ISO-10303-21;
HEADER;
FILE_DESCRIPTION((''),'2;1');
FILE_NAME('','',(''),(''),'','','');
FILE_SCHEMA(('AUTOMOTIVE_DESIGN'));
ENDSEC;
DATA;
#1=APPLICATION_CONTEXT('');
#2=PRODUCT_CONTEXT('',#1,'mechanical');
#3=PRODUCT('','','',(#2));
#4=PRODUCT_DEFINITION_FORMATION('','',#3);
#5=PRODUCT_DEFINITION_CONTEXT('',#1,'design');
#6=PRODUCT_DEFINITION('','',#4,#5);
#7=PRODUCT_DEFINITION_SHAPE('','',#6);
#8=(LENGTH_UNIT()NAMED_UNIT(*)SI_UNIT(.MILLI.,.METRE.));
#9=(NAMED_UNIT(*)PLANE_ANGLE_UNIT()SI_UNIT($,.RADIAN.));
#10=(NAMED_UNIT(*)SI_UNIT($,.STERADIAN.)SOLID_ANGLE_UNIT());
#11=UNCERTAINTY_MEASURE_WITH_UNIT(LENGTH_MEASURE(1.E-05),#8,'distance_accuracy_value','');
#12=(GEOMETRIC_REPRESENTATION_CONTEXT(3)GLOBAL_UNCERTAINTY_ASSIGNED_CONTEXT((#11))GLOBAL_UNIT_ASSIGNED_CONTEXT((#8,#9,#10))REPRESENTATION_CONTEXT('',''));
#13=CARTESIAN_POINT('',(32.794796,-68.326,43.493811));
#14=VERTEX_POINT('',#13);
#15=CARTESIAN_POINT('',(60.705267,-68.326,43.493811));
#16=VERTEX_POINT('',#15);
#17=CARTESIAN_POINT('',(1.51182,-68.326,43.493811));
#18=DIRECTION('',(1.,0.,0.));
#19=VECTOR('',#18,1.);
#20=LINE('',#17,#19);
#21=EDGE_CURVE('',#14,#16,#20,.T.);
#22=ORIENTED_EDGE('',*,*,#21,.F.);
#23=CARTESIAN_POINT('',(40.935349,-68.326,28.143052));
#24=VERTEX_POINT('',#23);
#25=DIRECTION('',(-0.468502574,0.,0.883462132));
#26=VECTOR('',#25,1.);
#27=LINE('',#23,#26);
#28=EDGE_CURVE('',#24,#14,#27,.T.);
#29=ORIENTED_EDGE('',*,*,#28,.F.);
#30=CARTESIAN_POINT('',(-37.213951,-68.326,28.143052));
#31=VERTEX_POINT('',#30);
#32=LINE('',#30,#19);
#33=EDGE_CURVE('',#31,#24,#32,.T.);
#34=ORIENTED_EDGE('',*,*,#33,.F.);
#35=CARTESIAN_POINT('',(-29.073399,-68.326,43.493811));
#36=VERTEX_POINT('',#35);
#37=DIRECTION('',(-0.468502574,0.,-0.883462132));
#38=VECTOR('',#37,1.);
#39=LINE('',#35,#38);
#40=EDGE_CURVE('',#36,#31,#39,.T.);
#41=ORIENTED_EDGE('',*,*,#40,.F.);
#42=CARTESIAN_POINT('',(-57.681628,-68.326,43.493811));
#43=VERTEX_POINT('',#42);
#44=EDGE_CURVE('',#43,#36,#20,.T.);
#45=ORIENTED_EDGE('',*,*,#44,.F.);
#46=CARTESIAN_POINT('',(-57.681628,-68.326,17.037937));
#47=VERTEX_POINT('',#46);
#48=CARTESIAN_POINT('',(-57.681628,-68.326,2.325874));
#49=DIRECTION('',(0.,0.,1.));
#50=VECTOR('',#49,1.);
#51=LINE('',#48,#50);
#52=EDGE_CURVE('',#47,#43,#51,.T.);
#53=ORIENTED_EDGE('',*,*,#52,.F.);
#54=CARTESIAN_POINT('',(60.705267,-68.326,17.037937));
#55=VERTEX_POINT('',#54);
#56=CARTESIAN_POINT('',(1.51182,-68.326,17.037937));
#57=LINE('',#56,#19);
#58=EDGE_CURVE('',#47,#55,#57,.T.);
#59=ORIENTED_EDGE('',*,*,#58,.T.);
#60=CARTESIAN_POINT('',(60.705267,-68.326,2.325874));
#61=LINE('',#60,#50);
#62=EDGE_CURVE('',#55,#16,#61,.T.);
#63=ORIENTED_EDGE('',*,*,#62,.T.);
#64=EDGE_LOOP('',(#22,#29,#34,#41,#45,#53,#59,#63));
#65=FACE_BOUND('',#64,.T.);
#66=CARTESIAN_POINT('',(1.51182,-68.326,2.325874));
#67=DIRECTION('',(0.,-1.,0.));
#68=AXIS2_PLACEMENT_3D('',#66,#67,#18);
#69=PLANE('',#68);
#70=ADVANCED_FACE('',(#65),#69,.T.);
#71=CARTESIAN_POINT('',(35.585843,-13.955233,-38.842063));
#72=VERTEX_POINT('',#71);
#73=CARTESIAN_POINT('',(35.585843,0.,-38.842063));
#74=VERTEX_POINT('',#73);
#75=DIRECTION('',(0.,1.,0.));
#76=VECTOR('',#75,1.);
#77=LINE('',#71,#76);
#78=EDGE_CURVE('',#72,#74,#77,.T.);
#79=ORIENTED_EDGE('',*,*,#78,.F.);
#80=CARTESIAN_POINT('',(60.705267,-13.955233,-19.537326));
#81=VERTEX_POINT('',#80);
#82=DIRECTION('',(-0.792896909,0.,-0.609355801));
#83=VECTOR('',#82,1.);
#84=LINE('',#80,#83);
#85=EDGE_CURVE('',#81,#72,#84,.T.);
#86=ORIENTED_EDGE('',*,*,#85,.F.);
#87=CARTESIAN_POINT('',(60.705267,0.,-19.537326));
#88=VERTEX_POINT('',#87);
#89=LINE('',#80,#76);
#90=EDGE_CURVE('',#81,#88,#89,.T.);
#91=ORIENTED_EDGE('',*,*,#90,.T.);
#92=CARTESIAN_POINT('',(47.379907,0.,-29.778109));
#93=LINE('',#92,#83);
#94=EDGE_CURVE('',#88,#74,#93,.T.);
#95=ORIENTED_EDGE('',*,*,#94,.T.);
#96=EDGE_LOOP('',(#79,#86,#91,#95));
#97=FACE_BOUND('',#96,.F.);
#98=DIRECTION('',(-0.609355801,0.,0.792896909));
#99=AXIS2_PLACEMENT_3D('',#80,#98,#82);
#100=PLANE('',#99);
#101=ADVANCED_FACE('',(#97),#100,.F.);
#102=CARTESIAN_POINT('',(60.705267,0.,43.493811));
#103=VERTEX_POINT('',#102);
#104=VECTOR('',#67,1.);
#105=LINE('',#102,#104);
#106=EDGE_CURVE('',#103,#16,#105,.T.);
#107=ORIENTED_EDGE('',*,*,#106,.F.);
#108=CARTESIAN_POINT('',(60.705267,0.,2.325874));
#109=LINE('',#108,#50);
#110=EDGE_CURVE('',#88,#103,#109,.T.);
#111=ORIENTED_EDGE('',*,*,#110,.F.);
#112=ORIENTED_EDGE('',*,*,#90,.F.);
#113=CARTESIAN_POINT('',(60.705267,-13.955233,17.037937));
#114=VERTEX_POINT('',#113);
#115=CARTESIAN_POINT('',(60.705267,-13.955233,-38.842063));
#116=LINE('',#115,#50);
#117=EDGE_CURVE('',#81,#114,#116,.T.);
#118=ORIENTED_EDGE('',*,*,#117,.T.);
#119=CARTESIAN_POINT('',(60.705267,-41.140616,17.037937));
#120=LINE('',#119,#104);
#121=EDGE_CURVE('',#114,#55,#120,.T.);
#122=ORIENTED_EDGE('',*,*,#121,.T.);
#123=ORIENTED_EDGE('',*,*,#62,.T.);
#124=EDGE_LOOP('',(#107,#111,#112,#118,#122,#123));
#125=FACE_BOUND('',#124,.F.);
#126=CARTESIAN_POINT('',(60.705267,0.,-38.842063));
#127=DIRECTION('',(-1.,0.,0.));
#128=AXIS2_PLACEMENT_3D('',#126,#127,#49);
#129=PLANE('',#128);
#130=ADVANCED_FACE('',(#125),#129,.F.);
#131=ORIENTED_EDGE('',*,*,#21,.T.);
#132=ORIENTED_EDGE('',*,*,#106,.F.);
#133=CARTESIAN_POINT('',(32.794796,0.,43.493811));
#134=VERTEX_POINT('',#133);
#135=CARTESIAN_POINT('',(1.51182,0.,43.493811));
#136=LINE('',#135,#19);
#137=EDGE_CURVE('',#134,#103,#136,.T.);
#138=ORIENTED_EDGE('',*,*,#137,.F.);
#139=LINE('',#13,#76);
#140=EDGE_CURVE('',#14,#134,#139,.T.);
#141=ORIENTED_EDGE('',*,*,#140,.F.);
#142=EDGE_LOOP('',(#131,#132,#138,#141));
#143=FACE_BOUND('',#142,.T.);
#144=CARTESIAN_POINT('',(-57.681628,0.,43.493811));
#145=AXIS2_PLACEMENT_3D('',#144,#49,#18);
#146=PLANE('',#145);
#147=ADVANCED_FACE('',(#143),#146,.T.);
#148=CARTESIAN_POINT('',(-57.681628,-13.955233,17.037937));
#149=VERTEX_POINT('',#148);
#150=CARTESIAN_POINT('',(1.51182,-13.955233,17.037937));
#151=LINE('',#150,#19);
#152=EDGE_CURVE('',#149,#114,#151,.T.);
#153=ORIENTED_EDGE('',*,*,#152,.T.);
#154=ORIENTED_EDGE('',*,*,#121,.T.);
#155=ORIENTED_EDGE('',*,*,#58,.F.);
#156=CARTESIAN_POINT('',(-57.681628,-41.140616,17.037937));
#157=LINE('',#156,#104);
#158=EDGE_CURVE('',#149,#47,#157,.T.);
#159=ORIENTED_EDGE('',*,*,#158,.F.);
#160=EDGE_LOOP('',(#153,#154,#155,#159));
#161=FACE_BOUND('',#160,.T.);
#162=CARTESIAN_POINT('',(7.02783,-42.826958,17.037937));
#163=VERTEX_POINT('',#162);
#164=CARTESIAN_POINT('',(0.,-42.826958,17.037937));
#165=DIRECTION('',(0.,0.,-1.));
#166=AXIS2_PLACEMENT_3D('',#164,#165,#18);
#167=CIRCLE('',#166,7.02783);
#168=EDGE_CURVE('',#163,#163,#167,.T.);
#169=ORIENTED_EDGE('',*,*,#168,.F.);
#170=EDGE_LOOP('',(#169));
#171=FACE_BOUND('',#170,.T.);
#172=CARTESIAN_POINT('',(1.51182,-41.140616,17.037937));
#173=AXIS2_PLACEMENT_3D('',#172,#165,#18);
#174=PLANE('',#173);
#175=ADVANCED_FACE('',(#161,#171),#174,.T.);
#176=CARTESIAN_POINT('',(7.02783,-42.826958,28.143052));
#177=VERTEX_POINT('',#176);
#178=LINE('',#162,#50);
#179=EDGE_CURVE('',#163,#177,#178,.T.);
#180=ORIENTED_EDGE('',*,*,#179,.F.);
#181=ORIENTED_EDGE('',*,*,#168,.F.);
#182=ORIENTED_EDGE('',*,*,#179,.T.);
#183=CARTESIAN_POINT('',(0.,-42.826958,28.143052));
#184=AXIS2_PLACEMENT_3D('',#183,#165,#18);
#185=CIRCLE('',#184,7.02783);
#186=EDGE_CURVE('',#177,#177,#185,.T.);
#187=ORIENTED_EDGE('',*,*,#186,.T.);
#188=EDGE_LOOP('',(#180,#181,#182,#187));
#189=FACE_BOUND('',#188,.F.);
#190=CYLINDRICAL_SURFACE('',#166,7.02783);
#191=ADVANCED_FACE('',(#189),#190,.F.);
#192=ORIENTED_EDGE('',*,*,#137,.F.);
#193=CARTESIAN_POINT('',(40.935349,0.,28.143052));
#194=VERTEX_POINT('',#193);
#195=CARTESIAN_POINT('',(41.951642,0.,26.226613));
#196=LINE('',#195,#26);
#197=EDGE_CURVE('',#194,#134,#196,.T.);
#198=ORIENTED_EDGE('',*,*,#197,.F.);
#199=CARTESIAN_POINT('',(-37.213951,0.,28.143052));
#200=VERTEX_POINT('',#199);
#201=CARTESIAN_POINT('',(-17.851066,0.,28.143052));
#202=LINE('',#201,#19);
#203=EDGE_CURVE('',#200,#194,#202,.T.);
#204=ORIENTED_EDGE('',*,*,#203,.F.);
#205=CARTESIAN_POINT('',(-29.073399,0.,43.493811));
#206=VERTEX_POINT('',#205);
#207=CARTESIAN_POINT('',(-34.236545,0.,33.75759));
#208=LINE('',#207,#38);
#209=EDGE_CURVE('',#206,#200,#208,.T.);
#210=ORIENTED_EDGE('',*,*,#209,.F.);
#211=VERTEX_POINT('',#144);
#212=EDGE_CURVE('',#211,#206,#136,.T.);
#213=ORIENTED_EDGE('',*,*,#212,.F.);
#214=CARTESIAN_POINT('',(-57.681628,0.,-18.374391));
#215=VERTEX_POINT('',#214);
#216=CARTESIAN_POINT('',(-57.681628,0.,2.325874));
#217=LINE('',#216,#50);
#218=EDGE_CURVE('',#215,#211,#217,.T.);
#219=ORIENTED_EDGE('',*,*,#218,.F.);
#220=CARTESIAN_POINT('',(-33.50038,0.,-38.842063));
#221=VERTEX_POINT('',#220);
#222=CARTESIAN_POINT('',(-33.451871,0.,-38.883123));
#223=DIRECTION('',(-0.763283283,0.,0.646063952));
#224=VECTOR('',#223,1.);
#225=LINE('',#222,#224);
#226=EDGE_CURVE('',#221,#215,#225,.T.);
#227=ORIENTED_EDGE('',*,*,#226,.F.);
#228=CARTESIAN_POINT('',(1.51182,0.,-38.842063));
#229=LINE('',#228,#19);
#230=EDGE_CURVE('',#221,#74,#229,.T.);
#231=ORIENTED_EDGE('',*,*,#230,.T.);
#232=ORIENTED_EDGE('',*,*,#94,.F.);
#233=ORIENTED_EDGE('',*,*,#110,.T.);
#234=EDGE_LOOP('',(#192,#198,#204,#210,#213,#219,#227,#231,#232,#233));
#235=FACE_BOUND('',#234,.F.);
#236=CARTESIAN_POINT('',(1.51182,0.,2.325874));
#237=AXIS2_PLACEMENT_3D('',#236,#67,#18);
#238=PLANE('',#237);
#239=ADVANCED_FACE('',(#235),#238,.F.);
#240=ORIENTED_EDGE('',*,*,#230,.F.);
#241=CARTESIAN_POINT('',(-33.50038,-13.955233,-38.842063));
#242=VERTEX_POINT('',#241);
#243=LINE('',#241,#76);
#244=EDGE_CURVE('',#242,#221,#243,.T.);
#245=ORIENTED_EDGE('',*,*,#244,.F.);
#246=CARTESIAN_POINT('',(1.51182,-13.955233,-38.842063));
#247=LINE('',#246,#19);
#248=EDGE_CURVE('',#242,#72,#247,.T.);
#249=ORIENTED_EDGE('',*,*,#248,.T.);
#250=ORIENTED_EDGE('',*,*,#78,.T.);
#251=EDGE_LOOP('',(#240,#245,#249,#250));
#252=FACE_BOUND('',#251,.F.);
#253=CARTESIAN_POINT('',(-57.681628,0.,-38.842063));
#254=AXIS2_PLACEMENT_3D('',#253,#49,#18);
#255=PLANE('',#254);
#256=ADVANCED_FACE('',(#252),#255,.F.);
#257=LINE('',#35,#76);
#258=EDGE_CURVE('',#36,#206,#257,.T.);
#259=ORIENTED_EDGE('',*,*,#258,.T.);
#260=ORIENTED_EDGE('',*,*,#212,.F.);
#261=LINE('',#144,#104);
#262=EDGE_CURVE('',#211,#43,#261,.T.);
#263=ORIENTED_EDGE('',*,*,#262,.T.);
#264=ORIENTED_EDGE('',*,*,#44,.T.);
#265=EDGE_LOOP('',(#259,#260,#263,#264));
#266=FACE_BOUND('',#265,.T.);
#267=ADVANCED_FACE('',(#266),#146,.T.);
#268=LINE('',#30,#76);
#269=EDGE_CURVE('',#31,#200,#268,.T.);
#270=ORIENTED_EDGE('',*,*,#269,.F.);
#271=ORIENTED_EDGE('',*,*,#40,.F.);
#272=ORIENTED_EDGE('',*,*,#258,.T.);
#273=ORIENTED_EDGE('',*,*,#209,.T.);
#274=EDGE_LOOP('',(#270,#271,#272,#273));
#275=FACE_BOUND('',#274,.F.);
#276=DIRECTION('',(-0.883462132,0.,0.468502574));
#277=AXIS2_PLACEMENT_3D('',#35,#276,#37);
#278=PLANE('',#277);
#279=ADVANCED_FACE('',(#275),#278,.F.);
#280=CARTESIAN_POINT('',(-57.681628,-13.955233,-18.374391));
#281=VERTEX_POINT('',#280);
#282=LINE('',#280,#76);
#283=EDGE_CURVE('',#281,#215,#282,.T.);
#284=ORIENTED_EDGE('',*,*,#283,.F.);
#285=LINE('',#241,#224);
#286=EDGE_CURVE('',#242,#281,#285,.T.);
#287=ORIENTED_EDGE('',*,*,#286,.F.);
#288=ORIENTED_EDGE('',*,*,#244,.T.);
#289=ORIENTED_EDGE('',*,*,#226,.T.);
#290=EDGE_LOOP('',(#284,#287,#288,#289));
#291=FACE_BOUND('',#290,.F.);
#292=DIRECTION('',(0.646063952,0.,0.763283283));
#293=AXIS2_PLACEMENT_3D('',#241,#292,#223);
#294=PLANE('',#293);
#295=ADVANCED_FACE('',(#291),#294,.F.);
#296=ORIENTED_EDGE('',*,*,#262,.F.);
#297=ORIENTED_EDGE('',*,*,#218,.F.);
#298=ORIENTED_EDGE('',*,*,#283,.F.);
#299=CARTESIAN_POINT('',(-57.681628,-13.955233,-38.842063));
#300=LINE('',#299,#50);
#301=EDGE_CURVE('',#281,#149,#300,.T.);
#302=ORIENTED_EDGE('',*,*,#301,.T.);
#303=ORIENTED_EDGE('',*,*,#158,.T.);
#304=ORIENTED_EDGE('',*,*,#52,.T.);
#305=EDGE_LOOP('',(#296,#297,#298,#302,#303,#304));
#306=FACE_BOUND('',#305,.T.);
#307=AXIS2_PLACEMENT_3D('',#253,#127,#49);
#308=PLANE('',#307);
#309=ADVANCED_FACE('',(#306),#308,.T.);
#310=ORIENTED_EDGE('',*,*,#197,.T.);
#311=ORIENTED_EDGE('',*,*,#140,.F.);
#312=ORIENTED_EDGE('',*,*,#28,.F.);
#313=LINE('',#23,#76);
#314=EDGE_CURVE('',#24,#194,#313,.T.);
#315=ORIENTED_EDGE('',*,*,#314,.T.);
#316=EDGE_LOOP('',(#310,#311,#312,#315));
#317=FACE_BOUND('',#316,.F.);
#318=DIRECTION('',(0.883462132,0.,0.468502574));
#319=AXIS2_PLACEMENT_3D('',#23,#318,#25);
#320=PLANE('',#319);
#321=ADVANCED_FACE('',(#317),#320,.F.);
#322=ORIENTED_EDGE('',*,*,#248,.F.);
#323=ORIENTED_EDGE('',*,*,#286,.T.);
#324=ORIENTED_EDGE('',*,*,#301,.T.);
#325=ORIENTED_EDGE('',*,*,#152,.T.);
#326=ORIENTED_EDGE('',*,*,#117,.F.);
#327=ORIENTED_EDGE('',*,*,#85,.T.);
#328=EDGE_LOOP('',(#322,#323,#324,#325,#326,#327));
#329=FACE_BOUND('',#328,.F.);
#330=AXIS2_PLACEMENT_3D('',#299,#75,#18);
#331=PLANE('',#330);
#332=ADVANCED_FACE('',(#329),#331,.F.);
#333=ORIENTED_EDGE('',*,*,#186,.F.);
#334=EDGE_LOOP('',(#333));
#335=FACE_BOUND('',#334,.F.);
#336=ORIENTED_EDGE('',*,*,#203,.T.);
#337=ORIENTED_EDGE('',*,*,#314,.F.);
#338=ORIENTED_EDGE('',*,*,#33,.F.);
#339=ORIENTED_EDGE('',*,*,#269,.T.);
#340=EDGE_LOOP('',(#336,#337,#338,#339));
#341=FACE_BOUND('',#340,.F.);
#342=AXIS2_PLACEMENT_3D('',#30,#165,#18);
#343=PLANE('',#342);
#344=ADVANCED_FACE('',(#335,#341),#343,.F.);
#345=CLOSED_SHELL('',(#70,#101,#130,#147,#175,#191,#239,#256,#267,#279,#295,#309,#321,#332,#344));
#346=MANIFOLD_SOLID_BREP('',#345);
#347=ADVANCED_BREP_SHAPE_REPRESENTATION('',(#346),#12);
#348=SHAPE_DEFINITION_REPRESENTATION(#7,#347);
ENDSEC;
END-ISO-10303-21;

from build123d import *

# Parameters (mm, degrees)
F0_W     = 118.3868944645
F0_H     = 82.3358744383
F1_DEPTH = 68.326
F2_W     = 118.3868944645
F2_H     = 54.3707673127
F3_DEPTH = 55.88
F5_DEPTH = 25.4
F7_DEPTH = 87.122
F8_R     = 7.0278301123
F9_DEPTH = 25.4


with BuildPart() as f1:
    # F0 (on Front) → F1 (new body)
    with BuildSketch(Plane.XZ):
        with Locations((1.5118196607, 2.325873822)):
            Rectangle(F0_W, F0_H)
    extrude(amount=F1_DEPTH)

    # F2 (on face) → F3 (cut)
    with BuildSketch(Plane(origin=(0, 0, -38.8420633972), x_dir=(1, 0, 0), z_dir=(0, 0, -1))):
        with Locations((1.5118196607, 41.1406163436)):
            Rectangle(F2_W, F2_H)
    extrude(amount=-F3_DEPTH, mode=Mode.SUBTRACT)

    # F4 (on face) → F5 (cut)
    with BuildSketch(Plane.XZ.offset(13.9552326873)):
        Polygon((60.7052668929, -19.5373259485), (35.5858430266, -38.8420633972), (60.7052668929, -38.8420633972), align=None)
        Polygon((-57.6816275716, -38.8420633972), (-33.5003801701, -38.8420633972), (-57.6816275716, -18.3743909001), align=None)
    extrude(amount=-F5_DEPTH, mode=Mode.SUBTRACT)

    # F6 (on face) → F7 (cut)
    with BuildSketch(Plane.XZ.offset(68.326)):
        Polygon((40.9353487194, 28.1430520117), (32.7947959304, 43.4938110411), (-29.0733985603, 43.4938110411), (-37.2139513493, 28.1430520117), align=None)
    extrude(amount=-F7_DEPTH, mode=Mode.SUBTRACT)

    # F8 (on face) → F9 (cut)
    with BuildSketch(Plane(origin=(0, 0, 17.0379366028), x_dir=(1, 0, 0), z_dir=(0, 0, -1))):
        with Locations((0, 42.8269580007)):
            Circle(F8_R)
    extrude(amount=-F9_DEPTH, mode=Mode.SUBTRACT)


solid = f1.part
